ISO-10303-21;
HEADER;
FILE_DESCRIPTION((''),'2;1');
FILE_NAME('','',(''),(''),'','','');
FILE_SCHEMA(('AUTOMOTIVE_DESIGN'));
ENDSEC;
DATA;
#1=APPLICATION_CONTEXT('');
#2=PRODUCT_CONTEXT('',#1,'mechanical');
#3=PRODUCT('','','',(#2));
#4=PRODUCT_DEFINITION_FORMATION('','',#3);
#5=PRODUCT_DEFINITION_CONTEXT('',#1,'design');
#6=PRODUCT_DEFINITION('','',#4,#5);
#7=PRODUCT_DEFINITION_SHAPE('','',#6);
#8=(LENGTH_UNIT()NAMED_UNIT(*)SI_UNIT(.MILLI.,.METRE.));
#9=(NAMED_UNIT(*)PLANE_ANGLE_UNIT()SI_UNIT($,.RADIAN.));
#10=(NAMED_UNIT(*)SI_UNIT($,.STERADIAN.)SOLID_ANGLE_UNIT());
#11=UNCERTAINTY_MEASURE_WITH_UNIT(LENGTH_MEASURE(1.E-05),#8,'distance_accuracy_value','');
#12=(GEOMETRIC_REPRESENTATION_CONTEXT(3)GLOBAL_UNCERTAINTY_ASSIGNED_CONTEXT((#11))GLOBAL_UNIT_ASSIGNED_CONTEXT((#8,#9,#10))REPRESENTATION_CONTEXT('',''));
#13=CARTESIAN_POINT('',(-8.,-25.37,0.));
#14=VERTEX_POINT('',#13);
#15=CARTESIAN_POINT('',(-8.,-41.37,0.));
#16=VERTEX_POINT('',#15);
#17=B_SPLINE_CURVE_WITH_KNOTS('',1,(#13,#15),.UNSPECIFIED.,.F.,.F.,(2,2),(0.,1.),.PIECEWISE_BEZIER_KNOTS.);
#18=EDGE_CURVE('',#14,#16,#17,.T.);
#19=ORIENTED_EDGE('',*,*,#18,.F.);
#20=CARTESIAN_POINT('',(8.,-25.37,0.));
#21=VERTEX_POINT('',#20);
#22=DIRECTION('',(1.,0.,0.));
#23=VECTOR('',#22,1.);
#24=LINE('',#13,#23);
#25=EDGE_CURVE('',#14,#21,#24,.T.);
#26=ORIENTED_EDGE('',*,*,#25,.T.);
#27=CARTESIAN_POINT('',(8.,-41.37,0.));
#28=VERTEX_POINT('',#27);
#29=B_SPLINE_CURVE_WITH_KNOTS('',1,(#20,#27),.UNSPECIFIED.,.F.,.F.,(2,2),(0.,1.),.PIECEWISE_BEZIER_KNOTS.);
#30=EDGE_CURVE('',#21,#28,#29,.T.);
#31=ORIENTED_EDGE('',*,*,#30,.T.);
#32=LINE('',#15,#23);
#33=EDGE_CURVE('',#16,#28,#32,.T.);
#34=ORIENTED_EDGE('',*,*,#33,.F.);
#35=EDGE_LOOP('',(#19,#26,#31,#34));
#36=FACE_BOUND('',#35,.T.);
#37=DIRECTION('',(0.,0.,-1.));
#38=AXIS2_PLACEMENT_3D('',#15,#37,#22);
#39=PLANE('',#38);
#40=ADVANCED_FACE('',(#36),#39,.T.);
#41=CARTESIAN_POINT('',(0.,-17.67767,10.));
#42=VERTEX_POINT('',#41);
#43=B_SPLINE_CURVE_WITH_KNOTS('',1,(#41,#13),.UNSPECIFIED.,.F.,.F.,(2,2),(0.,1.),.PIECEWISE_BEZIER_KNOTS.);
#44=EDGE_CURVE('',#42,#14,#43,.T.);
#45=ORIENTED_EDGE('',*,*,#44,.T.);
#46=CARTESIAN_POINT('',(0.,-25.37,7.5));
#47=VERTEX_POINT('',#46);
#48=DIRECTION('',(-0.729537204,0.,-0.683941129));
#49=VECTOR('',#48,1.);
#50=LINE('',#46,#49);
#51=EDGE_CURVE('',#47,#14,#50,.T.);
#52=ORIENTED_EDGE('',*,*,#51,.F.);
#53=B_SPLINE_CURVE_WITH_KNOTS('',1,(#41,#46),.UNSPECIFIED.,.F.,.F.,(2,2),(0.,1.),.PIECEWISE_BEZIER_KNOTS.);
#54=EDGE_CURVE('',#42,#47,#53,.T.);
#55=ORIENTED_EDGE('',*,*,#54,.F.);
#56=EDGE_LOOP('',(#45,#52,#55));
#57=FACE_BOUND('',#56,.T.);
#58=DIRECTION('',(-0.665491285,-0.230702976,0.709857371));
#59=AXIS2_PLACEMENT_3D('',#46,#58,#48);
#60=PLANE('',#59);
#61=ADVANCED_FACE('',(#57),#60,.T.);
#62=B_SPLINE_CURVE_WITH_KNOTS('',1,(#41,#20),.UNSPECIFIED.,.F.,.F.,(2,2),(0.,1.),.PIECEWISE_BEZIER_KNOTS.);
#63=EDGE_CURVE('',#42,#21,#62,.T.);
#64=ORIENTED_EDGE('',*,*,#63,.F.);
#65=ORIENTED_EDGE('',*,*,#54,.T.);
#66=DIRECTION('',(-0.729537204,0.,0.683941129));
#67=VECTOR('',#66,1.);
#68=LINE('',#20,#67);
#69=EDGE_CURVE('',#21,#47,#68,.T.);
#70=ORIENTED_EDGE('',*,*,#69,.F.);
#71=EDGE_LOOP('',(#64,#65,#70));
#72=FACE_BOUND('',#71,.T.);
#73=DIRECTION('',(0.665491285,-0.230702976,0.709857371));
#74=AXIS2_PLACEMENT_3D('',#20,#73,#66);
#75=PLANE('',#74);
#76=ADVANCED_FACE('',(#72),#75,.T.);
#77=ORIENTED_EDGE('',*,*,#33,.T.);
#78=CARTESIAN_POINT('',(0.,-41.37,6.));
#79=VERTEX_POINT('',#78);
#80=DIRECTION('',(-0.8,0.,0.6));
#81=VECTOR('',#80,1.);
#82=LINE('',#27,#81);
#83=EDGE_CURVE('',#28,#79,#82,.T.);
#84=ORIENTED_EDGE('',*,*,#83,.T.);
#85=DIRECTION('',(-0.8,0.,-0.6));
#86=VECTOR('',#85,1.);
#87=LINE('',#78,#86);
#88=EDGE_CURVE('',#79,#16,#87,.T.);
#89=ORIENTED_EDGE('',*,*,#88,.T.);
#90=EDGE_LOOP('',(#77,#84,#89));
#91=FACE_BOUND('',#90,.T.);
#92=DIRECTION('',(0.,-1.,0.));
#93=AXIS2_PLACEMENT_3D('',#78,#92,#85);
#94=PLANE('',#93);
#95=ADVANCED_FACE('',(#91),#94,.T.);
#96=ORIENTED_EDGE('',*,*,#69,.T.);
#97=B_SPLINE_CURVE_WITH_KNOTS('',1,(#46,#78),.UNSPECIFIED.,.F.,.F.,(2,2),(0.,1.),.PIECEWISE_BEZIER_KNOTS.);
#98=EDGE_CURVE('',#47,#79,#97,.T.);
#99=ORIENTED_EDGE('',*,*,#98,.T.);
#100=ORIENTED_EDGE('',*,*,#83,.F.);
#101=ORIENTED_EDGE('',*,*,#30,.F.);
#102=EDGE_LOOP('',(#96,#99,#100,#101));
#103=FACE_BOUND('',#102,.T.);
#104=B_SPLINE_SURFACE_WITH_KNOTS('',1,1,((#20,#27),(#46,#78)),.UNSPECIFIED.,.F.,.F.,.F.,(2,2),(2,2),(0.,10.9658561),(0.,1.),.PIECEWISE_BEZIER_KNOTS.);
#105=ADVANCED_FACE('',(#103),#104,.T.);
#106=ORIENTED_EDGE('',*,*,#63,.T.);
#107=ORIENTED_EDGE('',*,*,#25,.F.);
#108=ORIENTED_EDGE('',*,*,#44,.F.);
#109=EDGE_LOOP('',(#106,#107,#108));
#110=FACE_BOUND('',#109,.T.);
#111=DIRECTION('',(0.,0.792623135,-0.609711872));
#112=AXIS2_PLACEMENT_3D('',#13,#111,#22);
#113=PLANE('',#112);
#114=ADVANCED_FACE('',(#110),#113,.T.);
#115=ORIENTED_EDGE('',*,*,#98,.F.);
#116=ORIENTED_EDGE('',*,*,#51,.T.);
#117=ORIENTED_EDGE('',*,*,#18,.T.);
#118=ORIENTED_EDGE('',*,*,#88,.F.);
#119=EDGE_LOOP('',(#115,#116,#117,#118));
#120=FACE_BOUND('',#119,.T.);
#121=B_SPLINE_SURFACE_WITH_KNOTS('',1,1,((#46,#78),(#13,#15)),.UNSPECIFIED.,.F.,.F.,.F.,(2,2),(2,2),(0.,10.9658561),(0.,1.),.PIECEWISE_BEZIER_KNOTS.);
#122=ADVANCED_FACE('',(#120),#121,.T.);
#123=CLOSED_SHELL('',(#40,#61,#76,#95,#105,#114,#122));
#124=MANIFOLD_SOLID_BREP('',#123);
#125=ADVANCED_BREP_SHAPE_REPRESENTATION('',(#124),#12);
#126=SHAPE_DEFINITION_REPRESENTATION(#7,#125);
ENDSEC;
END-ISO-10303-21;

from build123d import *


with BuildPart() as f7:
    # F4 (on offset) → F7 section 0
    with BuildSketch(Plane.XZ.offset(25.37), mode=Mode.PRIVATE) as f7_s0:
        Polygon((0, 7.5), (-8, 0), (8, 0), align=None)
    loft([Vertex(0, -17.67767, 10), f7_s0.sketch])

    # F7_face (on face) → F8 section 0
    with BuildSketch(Plane(origin=(0, -25.37, 2.5), x_dir=(1, 0, 0), z_dir=(0, -1, 0))):
        Polygon((0, 5), (-8, -2.5), (8, -2.5), align=None)
    # F3 (on offset) → F8 section 1
    with BuildSketch(Plane.XZ.offset(41.37)):
        Polygon((0, 6), (-8, 0), (8, 0), align=None)
    loft()


solid = f7.part
